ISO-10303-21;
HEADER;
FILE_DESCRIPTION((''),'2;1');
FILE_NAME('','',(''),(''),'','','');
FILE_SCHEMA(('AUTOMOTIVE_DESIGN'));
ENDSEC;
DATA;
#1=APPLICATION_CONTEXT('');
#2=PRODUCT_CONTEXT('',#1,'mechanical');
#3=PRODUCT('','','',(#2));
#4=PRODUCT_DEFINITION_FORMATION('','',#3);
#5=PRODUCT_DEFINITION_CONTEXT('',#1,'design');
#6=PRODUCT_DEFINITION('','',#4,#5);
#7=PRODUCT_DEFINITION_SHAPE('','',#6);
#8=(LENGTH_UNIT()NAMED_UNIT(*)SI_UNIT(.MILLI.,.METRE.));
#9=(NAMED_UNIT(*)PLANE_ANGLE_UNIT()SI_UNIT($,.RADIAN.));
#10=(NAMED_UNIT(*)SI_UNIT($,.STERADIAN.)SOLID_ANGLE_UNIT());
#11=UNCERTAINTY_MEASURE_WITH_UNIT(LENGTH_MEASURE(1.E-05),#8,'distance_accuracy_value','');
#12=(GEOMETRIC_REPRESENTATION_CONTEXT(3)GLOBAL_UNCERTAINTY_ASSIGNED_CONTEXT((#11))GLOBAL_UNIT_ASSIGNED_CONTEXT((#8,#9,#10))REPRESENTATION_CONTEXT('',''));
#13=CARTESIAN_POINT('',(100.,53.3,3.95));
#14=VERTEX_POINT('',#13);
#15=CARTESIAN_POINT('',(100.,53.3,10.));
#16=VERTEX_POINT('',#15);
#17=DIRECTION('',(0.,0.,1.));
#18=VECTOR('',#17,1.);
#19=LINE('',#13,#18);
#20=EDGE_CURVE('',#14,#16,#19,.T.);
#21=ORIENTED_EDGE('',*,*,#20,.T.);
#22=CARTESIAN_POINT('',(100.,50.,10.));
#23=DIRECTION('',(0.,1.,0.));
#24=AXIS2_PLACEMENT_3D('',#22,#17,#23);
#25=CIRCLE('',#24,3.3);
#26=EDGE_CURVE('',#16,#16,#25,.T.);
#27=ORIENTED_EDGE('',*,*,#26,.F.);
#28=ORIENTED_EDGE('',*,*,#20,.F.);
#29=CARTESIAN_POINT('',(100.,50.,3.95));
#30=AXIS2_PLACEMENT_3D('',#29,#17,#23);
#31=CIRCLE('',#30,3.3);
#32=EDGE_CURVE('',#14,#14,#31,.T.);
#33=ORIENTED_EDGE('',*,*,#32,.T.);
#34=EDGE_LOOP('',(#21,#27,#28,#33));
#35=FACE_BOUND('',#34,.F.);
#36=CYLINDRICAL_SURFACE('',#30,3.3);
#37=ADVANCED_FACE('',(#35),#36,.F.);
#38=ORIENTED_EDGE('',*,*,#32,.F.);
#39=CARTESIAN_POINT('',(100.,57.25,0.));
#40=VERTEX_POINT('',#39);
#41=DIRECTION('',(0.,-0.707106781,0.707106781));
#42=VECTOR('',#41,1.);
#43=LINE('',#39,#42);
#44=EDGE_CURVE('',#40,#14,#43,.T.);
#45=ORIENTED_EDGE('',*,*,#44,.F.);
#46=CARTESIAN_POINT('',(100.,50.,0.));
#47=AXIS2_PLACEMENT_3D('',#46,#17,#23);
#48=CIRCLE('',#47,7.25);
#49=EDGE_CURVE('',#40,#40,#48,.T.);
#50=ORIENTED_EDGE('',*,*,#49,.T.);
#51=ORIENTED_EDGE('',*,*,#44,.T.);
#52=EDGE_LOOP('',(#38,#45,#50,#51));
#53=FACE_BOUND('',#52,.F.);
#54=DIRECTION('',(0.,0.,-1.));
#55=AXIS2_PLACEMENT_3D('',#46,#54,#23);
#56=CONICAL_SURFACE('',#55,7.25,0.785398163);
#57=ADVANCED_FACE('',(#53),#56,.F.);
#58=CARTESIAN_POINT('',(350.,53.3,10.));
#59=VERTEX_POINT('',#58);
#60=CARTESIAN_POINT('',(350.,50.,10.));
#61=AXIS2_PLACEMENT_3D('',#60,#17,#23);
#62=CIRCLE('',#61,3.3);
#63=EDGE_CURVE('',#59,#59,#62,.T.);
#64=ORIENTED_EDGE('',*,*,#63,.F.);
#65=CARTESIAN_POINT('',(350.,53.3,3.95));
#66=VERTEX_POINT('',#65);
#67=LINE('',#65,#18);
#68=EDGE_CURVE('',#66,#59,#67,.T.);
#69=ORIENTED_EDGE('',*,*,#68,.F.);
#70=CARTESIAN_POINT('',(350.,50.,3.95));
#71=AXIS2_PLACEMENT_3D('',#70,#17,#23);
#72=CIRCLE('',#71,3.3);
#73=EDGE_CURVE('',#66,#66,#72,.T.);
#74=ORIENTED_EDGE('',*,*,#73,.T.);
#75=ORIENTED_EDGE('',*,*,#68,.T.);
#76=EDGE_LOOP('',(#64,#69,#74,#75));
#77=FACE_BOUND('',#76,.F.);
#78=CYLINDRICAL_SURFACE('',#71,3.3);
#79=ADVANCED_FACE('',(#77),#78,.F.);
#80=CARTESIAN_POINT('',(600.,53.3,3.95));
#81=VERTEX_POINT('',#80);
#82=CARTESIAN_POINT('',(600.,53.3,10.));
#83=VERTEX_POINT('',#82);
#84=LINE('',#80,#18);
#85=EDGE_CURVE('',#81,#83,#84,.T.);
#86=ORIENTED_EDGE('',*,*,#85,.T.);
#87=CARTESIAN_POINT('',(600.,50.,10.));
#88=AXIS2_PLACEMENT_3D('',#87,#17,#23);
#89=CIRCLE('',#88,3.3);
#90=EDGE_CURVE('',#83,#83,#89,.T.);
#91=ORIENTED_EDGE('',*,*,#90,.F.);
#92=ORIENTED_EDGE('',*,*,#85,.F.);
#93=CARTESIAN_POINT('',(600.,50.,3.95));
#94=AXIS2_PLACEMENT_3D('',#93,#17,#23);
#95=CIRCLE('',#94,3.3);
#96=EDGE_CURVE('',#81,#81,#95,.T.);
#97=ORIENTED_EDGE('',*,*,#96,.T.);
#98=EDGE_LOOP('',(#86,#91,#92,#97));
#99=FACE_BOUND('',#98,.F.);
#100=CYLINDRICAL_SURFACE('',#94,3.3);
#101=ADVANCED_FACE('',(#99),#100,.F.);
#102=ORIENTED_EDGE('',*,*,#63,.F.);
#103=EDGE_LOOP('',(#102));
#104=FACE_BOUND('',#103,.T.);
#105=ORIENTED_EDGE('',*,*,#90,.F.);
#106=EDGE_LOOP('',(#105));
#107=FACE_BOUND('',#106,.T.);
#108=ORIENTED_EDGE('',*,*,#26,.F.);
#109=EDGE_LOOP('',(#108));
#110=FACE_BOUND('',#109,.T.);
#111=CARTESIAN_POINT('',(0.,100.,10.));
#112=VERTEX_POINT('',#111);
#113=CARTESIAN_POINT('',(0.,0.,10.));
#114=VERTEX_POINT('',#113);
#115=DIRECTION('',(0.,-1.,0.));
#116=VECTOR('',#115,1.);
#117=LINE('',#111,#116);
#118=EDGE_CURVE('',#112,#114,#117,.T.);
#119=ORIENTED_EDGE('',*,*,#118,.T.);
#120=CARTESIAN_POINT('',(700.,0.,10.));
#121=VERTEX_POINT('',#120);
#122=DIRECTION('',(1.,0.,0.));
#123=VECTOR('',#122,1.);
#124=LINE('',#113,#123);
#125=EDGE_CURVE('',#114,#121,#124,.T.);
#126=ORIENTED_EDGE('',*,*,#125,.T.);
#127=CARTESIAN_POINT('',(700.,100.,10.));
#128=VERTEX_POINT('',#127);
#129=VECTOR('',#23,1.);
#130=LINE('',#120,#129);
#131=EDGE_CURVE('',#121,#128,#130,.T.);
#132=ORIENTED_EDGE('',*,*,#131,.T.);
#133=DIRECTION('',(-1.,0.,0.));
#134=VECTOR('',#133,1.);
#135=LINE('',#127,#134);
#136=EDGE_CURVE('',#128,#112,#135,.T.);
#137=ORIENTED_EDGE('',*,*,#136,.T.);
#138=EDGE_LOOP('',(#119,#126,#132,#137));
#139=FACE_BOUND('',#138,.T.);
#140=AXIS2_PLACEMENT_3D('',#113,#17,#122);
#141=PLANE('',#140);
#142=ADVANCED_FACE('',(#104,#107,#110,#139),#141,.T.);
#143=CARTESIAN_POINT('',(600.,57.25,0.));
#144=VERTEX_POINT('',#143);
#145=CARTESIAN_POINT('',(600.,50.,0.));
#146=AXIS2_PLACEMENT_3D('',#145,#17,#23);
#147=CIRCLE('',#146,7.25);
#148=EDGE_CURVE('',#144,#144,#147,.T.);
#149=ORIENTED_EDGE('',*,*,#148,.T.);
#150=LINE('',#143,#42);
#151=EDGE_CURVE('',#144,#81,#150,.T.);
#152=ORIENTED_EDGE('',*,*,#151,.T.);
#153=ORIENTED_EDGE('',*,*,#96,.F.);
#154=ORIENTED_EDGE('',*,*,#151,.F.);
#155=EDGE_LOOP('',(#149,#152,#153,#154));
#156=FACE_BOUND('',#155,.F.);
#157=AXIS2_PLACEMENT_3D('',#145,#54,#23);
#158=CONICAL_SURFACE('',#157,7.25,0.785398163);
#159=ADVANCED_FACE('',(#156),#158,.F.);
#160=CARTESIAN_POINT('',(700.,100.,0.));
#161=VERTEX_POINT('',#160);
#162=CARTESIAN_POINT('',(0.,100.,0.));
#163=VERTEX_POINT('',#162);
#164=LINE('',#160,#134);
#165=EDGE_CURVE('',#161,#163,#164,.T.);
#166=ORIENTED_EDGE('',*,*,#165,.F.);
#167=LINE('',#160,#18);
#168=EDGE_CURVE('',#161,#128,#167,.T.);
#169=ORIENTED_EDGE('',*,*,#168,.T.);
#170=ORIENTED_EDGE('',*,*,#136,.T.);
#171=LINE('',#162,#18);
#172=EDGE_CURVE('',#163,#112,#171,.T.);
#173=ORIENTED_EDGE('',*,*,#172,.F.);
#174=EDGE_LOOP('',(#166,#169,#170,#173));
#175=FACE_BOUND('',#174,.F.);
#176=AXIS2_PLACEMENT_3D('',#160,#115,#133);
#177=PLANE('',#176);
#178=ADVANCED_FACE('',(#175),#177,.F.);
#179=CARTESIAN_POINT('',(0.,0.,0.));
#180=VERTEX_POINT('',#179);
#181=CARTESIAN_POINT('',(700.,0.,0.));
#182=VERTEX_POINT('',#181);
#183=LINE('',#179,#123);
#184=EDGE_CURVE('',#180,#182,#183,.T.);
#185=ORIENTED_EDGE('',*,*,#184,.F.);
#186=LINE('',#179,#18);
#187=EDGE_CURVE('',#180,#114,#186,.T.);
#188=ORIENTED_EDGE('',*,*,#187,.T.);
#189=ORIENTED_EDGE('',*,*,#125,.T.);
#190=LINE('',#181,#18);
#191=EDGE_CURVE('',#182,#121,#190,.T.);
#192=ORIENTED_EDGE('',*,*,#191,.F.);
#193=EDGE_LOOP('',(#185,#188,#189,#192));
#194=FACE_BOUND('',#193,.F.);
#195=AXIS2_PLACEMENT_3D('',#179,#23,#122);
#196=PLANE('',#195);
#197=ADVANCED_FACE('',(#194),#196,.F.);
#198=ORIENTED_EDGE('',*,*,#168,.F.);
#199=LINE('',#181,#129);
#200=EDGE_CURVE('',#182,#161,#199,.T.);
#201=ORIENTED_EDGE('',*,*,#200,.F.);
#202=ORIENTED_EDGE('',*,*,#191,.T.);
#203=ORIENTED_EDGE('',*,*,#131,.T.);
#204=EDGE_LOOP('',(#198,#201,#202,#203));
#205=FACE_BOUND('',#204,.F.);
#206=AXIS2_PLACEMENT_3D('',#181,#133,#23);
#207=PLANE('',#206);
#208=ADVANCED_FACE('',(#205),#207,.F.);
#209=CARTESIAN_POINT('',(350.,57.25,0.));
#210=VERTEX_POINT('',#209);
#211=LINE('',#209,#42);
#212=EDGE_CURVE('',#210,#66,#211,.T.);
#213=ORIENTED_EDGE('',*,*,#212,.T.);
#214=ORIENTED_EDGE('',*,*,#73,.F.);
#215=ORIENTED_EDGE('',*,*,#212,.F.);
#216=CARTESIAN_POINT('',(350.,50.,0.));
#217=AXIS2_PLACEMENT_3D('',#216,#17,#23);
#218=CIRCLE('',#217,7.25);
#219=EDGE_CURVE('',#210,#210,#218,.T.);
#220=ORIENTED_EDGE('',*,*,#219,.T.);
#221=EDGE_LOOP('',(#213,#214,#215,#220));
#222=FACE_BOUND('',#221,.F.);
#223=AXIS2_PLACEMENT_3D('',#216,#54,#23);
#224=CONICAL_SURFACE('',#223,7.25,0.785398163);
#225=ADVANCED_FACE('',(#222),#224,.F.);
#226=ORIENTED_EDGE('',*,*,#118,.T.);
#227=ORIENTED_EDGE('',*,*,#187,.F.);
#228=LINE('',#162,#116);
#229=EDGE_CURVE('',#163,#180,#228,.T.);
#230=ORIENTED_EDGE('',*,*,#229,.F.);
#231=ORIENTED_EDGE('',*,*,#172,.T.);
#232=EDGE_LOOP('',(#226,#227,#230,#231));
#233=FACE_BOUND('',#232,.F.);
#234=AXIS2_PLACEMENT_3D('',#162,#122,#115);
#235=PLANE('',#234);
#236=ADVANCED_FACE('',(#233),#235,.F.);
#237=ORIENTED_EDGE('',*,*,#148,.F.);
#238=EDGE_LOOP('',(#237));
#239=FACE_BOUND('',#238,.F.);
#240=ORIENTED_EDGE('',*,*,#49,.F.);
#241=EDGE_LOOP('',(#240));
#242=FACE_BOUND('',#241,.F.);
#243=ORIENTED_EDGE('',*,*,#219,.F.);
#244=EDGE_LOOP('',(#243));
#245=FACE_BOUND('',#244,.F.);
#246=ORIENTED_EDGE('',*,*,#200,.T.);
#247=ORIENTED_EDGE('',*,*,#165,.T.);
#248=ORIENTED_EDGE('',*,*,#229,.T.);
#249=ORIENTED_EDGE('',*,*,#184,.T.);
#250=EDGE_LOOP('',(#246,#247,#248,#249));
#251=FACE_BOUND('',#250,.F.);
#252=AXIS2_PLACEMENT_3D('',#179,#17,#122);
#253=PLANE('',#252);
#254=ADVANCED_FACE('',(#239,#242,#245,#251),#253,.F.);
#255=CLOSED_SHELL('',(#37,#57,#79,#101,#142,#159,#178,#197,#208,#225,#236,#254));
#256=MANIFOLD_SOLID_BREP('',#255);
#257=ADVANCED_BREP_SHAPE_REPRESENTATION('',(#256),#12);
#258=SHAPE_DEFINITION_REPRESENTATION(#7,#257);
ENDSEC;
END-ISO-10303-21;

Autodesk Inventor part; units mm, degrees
ref_plane "YZ Plane" through (0, 0, 0) normal (1, 0, 0) x (0, 1, 0)
ref_plane "XZ Plane" through (0, 0, 0) normal (0, 1, 0) x (-1, 0, 0)
ref_plane "XY Plane" through (0, 0, 0) normal (0, 0, 1) x (1, 0, 0)
sketch "Skizze1" plane through (0, 0, 0) normal (0, 0, 1) x (1, 0, 0)
  line L0 (0, 0) -> (700, 0)
  line L1 (700, 0) -> (700, 100)
  line L2 (700, 100) -> (0, 100)
  line L3 (0, 100) -> (0, 0)
  dimension "d4" = 700
  dimension "d5" = 100
extrude "Extrusion1" add sketch "Skizze1" along normal blind 10
sketch "Skizze2" plane through (0, 0, 0) normal (0, 0, -1) x (-1, 0, 0)
  line L0 (736.2089, -6.1125) -> (736.2089, 106.1125)
  line L1 (-100, 50) -> (-600, 50) construction
  line L2 (0, 0) -> (-700, 0) projected
  line L3 (0, 100) -> (0, 0) projected
  point P0 (-350, 50)
  point P1 (736.2089, 50)
  point P2 (-350, 0)
  point P3 (-350, 0)
  point P4 (-350, 0)
  point P5 (0, 50)
  dimension "d6" = 500
hole "Bohrung1" at (100, 50, 0) at (350, 50, 0) at (600, 50, 0) direction (0, 0, 1) diameter 6.6 end through all countersink diameter 14.5 countersink angle 90 clearance for "Innensechskant-Senkkopfschraube DIN EN ISO 10642" size "M6" standard "DIN"
properties part number "Lid_SidePanel" material "Polycarbonat, klar"
